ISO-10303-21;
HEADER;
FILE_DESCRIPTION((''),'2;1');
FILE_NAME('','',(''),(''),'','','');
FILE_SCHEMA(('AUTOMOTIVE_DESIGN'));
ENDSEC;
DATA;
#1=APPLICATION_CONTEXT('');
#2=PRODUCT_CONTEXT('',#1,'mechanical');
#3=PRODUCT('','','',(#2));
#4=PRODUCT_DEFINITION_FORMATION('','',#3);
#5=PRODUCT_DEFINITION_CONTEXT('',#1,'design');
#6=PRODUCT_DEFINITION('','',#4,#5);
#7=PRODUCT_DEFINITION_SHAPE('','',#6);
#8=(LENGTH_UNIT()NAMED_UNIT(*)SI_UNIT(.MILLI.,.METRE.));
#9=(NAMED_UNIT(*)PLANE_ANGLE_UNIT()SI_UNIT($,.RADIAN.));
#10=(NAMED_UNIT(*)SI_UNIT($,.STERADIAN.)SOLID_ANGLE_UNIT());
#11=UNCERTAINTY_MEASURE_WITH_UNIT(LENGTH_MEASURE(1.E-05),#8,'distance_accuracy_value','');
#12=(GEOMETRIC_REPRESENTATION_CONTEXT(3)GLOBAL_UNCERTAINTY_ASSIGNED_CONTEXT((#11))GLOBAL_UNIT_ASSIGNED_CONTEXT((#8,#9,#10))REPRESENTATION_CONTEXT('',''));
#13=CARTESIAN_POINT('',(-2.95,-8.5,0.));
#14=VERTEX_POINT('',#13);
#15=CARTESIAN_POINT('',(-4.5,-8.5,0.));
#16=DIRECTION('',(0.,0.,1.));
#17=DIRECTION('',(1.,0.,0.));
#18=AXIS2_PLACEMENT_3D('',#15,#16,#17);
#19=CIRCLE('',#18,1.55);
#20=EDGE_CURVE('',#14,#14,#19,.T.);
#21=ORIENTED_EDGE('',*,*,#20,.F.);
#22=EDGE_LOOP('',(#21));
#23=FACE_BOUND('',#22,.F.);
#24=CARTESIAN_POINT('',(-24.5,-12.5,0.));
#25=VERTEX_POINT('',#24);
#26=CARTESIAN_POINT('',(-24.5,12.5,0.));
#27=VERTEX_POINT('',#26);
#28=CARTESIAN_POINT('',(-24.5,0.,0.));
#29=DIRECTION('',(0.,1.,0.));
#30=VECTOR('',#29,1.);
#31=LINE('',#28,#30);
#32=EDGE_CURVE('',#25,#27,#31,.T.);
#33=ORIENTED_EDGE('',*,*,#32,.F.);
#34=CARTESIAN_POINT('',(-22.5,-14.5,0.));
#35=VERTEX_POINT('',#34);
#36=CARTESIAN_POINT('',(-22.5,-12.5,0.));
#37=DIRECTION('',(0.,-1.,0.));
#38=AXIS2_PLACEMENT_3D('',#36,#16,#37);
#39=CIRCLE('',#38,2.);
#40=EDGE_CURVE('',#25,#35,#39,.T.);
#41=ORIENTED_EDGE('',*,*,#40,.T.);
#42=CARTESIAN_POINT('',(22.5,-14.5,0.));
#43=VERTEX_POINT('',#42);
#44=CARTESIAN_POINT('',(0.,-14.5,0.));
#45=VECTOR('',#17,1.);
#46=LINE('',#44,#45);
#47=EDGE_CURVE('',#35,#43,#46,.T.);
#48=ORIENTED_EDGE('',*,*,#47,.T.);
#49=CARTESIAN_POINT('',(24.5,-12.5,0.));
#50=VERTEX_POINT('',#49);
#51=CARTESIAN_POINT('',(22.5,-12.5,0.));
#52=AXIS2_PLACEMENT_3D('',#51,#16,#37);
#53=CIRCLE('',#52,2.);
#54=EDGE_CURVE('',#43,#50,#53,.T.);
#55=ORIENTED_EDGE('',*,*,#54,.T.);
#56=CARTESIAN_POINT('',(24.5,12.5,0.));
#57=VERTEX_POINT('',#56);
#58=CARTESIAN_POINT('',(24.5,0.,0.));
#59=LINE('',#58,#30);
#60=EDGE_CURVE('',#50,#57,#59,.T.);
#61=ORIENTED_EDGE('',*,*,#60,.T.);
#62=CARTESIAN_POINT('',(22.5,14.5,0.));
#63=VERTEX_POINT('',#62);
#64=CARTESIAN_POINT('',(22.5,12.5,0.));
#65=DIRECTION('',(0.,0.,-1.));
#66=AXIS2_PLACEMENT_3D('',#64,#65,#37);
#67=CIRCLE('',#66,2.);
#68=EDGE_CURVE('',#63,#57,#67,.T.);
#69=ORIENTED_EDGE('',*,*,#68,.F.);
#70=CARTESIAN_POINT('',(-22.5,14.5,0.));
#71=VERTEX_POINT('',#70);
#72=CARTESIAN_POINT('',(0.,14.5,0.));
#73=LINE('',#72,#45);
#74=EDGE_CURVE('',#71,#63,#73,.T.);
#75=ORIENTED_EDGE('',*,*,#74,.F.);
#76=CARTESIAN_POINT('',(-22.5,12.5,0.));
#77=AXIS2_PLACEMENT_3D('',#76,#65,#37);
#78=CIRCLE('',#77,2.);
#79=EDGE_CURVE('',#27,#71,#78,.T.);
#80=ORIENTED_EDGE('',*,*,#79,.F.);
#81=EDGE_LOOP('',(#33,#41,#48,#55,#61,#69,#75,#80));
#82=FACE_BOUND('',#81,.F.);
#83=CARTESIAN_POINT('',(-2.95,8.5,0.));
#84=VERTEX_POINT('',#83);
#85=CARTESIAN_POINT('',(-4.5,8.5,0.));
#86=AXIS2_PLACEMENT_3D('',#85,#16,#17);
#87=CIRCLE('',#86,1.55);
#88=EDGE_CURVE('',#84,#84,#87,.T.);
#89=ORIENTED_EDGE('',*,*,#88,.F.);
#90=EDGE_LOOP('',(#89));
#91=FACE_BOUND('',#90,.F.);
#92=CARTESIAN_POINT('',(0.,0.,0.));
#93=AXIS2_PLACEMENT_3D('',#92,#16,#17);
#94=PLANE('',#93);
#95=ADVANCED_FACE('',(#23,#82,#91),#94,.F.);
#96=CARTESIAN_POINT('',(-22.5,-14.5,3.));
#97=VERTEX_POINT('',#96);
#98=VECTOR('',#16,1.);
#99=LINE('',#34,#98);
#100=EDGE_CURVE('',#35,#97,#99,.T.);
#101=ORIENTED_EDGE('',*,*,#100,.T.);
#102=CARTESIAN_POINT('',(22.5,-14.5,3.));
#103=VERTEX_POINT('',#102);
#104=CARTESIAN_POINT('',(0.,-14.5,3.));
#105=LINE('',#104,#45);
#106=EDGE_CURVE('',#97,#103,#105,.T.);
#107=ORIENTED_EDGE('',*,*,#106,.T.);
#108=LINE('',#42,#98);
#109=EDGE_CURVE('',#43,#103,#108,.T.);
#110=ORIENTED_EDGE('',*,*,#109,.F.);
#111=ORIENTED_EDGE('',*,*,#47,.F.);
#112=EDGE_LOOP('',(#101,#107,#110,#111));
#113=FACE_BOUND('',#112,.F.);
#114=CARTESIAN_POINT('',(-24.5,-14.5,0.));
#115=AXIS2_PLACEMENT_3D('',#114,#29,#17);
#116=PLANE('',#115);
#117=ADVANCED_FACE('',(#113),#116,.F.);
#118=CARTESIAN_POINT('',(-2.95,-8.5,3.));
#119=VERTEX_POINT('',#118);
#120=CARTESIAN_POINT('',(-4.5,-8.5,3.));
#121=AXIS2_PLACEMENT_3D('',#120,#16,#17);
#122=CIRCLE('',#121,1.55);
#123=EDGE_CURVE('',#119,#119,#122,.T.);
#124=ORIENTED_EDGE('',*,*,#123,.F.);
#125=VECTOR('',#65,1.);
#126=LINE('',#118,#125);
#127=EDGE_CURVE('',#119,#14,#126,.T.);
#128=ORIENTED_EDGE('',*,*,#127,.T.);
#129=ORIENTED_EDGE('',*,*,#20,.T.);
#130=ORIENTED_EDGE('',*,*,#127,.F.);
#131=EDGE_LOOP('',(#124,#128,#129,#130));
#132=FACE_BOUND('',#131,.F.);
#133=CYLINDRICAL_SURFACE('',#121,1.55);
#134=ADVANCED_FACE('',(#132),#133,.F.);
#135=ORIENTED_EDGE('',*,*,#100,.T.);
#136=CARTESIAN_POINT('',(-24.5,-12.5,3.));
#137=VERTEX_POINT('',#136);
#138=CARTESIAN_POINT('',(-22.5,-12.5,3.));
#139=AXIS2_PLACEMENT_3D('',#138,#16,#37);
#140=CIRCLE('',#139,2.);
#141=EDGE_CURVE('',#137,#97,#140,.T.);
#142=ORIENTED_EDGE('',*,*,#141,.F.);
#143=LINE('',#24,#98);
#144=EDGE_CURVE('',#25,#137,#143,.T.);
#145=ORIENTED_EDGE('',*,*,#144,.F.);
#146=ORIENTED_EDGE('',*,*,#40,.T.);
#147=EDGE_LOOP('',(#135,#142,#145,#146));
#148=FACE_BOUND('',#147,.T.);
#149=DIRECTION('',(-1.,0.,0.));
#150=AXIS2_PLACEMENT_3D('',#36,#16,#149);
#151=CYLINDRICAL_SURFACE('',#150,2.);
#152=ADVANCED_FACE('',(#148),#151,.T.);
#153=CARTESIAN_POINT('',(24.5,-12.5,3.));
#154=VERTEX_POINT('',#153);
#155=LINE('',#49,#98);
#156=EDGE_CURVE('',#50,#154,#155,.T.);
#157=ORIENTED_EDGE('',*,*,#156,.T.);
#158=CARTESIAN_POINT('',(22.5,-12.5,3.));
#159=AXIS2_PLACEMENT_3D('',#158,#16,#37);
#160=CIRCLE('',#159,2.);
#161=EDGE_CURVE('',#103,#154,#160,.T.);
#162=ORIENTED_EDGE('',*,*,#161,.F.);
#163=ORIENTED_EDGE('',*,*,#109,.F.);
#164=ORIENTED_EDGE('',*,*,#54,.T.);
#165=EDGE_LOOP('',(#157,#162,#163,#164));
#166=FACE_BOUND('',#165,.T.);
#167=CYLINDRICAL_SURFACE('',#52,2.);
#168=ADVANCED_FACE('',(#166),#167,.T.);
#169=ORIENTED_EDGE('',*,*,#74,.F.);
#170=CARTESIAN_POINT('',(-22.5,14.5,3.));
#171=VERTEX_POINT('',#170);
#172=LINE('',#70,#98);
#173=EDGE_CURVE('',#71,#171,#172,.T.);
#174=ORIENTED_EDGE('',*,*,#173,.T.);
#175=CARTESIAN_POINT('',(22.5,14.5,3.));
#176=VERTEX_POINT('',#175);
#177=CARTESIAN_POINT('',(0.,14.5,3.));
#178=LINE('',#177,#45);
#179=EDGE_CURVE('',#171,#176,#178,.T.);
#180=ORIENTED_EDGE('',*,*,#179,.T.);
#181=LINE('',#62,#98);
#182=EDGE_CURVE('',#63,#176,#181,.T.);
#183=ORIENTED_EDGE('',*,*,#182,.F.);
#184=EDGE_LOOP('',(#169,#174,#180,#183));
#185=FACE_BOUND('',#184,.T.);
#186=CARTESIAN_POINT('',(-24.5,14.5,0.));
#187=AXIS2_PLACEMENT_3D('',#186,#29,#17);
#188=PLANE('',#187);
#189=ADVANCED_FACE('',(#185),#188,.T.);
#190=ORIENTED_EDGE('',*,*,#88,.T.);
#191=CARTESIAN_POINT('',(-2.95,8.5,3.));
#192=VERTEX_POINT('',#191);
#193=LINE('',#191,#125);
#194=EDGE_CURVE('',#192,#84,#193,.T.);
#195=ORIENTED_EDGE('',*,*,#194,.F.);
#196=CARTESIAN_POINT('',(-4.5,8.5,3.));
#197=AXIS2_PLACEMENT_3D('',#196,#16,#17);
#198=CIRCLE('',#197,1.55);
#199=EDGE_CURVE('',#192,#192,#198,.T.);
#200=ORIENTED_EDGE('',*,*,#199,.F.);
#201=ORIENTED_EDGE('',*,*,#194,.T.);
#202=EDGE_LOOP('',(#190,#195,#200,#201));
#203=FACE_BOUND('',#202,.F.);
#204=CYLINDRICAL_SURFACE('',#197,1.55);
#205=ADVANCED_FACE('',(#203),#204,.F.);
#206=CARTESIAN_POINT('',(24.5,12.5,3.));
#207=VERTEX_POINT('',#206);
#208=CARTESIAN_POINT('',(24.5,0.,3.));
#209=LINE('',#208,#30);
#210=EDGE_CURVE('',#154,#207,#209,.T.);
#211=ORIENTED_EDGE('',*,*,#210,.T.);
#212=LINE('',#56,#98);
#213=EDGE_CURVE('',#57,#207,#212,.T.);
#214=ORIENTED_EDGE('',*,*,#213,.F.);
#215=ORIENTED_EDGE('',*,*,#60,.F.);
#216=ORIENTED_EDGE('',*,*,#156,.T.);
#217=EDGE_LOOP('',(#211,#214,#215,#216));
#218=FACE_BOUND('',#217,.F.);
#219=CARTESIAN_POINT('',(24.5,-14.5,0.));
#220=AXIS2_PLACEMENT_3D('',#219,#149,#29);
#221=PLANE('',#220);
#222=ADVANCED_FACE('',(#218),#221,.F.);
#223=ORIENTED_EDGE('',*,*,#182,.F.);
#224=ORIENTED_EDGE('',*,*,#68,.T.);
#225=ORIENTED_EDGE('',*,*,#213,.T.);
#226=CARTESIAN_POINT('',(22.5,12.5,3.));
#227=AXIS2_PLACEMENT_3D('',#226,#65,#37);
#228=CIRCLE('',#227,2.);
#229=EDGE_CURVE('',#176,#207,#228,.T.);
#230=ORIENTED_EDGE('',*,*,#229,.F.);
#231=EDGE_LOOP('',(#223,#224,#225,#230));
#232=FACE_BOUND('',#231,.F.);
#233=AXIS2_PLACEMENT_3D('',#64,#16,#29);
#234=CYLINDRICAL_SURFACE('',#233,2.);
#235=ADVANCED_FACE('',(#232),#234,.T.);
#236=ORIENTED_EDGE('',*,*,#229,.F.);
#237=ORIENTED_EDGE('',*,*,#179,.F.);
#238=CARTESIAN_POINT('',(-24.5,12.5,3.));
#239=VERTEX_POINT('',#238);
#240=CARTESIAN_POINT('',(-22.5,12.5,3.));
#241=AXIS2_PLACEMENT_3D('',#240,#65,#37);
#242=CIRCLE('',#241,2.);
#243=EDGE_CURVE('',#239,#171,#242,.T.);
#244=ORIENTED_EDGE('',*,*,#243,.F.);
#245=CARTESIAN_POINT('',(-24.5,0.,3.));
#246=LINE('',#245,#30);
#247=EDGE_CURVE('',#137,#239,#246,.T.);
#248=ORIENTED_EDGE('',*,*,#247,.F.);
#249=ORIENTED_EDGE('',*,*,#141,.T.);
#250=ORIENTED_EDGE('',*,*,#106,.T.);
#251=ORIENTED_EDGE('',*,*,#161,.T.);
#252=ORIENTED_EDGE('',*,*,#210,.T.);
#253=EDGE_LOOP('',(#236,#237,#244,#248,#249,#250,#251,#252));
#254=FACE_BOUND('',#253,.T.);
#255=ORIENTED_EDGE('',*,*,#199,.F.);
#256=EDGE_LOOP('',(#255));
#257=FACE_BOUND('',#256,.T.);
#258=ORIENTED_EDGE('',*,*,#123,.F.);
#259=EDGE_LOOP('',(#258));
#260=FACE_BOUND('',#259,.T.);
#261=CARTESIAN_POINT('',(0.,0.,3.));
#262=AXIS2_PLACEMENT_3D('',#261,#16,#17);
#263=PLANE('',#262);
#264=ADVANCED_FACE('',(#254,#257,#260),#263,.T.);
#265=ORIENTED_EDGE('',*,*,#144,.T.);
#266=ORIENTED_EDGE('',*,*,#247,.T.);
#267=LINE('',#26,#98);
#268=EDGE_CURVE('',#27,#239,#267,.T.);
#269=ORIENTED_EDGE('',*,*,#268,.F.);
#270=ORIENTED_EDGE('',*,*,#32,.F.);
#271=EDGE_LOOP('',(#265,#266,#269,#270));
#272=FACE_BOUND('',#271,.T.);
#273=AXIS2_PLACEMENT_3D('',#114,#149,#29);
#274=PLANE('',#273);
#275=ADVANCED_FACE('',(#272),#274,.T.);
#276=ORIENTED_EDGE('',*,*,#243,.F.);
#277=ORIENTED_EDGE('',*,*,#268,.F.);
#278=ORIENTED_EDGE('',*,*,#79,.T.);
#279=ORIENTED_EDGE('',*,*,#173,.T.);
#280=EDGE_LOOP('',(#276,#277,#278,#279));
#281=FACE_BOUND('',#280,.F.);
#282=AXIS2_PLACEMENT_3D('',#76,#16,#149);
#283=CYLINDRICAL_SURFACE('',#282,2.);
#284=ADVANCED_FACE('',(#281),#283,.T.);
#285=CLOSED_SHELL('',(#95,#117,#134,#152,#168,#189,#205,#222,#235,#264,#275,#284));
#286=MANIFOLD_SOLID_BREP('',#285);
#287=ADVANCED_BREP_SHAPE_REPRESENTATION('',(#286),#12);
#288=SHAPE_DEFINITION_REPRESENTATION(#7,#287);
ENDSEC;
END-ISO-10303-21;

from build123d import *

# Parameters (mm, degrees)
F0_W     = 49
F0_H     = 29
F1_DEPTH = 3
F2_R     = 1.55
F3_DEPTH = 25.4
F4_R     = 2


with BuildPart() as f1:
    # F0 (on Top) → F1 (new body)
    with BuildSketch(Plane.XY):
        Rectangle(F0_W, F0_H)
    extrude(amount=F1_DEPTH)

    # F2 (on face) → F3 (cut)
    with BuildSketch(Plane.XY.offset(3)):
        with Locations((-4.5, -8.5)):
            Circle(F2_R)
        with Locations((-4.5, 8.5)):
            Circle(F2_R)
    extrude(amount=-F3_DEPTH, mode=Mode.SUBTRACT)

    # F4
    f4_edges = [f1.edges().sort_by_distance(p)[0] for p in [
        (-24.5, 14.5, 1.5),
        (-24.5, -14.5, 1.5),
        (24.5, -14.5, 1.5),
        (24.5, 14.5, 1.5),
    ]]
    fillet(f4_edges, radius=F4_R)


solid = f1.part
